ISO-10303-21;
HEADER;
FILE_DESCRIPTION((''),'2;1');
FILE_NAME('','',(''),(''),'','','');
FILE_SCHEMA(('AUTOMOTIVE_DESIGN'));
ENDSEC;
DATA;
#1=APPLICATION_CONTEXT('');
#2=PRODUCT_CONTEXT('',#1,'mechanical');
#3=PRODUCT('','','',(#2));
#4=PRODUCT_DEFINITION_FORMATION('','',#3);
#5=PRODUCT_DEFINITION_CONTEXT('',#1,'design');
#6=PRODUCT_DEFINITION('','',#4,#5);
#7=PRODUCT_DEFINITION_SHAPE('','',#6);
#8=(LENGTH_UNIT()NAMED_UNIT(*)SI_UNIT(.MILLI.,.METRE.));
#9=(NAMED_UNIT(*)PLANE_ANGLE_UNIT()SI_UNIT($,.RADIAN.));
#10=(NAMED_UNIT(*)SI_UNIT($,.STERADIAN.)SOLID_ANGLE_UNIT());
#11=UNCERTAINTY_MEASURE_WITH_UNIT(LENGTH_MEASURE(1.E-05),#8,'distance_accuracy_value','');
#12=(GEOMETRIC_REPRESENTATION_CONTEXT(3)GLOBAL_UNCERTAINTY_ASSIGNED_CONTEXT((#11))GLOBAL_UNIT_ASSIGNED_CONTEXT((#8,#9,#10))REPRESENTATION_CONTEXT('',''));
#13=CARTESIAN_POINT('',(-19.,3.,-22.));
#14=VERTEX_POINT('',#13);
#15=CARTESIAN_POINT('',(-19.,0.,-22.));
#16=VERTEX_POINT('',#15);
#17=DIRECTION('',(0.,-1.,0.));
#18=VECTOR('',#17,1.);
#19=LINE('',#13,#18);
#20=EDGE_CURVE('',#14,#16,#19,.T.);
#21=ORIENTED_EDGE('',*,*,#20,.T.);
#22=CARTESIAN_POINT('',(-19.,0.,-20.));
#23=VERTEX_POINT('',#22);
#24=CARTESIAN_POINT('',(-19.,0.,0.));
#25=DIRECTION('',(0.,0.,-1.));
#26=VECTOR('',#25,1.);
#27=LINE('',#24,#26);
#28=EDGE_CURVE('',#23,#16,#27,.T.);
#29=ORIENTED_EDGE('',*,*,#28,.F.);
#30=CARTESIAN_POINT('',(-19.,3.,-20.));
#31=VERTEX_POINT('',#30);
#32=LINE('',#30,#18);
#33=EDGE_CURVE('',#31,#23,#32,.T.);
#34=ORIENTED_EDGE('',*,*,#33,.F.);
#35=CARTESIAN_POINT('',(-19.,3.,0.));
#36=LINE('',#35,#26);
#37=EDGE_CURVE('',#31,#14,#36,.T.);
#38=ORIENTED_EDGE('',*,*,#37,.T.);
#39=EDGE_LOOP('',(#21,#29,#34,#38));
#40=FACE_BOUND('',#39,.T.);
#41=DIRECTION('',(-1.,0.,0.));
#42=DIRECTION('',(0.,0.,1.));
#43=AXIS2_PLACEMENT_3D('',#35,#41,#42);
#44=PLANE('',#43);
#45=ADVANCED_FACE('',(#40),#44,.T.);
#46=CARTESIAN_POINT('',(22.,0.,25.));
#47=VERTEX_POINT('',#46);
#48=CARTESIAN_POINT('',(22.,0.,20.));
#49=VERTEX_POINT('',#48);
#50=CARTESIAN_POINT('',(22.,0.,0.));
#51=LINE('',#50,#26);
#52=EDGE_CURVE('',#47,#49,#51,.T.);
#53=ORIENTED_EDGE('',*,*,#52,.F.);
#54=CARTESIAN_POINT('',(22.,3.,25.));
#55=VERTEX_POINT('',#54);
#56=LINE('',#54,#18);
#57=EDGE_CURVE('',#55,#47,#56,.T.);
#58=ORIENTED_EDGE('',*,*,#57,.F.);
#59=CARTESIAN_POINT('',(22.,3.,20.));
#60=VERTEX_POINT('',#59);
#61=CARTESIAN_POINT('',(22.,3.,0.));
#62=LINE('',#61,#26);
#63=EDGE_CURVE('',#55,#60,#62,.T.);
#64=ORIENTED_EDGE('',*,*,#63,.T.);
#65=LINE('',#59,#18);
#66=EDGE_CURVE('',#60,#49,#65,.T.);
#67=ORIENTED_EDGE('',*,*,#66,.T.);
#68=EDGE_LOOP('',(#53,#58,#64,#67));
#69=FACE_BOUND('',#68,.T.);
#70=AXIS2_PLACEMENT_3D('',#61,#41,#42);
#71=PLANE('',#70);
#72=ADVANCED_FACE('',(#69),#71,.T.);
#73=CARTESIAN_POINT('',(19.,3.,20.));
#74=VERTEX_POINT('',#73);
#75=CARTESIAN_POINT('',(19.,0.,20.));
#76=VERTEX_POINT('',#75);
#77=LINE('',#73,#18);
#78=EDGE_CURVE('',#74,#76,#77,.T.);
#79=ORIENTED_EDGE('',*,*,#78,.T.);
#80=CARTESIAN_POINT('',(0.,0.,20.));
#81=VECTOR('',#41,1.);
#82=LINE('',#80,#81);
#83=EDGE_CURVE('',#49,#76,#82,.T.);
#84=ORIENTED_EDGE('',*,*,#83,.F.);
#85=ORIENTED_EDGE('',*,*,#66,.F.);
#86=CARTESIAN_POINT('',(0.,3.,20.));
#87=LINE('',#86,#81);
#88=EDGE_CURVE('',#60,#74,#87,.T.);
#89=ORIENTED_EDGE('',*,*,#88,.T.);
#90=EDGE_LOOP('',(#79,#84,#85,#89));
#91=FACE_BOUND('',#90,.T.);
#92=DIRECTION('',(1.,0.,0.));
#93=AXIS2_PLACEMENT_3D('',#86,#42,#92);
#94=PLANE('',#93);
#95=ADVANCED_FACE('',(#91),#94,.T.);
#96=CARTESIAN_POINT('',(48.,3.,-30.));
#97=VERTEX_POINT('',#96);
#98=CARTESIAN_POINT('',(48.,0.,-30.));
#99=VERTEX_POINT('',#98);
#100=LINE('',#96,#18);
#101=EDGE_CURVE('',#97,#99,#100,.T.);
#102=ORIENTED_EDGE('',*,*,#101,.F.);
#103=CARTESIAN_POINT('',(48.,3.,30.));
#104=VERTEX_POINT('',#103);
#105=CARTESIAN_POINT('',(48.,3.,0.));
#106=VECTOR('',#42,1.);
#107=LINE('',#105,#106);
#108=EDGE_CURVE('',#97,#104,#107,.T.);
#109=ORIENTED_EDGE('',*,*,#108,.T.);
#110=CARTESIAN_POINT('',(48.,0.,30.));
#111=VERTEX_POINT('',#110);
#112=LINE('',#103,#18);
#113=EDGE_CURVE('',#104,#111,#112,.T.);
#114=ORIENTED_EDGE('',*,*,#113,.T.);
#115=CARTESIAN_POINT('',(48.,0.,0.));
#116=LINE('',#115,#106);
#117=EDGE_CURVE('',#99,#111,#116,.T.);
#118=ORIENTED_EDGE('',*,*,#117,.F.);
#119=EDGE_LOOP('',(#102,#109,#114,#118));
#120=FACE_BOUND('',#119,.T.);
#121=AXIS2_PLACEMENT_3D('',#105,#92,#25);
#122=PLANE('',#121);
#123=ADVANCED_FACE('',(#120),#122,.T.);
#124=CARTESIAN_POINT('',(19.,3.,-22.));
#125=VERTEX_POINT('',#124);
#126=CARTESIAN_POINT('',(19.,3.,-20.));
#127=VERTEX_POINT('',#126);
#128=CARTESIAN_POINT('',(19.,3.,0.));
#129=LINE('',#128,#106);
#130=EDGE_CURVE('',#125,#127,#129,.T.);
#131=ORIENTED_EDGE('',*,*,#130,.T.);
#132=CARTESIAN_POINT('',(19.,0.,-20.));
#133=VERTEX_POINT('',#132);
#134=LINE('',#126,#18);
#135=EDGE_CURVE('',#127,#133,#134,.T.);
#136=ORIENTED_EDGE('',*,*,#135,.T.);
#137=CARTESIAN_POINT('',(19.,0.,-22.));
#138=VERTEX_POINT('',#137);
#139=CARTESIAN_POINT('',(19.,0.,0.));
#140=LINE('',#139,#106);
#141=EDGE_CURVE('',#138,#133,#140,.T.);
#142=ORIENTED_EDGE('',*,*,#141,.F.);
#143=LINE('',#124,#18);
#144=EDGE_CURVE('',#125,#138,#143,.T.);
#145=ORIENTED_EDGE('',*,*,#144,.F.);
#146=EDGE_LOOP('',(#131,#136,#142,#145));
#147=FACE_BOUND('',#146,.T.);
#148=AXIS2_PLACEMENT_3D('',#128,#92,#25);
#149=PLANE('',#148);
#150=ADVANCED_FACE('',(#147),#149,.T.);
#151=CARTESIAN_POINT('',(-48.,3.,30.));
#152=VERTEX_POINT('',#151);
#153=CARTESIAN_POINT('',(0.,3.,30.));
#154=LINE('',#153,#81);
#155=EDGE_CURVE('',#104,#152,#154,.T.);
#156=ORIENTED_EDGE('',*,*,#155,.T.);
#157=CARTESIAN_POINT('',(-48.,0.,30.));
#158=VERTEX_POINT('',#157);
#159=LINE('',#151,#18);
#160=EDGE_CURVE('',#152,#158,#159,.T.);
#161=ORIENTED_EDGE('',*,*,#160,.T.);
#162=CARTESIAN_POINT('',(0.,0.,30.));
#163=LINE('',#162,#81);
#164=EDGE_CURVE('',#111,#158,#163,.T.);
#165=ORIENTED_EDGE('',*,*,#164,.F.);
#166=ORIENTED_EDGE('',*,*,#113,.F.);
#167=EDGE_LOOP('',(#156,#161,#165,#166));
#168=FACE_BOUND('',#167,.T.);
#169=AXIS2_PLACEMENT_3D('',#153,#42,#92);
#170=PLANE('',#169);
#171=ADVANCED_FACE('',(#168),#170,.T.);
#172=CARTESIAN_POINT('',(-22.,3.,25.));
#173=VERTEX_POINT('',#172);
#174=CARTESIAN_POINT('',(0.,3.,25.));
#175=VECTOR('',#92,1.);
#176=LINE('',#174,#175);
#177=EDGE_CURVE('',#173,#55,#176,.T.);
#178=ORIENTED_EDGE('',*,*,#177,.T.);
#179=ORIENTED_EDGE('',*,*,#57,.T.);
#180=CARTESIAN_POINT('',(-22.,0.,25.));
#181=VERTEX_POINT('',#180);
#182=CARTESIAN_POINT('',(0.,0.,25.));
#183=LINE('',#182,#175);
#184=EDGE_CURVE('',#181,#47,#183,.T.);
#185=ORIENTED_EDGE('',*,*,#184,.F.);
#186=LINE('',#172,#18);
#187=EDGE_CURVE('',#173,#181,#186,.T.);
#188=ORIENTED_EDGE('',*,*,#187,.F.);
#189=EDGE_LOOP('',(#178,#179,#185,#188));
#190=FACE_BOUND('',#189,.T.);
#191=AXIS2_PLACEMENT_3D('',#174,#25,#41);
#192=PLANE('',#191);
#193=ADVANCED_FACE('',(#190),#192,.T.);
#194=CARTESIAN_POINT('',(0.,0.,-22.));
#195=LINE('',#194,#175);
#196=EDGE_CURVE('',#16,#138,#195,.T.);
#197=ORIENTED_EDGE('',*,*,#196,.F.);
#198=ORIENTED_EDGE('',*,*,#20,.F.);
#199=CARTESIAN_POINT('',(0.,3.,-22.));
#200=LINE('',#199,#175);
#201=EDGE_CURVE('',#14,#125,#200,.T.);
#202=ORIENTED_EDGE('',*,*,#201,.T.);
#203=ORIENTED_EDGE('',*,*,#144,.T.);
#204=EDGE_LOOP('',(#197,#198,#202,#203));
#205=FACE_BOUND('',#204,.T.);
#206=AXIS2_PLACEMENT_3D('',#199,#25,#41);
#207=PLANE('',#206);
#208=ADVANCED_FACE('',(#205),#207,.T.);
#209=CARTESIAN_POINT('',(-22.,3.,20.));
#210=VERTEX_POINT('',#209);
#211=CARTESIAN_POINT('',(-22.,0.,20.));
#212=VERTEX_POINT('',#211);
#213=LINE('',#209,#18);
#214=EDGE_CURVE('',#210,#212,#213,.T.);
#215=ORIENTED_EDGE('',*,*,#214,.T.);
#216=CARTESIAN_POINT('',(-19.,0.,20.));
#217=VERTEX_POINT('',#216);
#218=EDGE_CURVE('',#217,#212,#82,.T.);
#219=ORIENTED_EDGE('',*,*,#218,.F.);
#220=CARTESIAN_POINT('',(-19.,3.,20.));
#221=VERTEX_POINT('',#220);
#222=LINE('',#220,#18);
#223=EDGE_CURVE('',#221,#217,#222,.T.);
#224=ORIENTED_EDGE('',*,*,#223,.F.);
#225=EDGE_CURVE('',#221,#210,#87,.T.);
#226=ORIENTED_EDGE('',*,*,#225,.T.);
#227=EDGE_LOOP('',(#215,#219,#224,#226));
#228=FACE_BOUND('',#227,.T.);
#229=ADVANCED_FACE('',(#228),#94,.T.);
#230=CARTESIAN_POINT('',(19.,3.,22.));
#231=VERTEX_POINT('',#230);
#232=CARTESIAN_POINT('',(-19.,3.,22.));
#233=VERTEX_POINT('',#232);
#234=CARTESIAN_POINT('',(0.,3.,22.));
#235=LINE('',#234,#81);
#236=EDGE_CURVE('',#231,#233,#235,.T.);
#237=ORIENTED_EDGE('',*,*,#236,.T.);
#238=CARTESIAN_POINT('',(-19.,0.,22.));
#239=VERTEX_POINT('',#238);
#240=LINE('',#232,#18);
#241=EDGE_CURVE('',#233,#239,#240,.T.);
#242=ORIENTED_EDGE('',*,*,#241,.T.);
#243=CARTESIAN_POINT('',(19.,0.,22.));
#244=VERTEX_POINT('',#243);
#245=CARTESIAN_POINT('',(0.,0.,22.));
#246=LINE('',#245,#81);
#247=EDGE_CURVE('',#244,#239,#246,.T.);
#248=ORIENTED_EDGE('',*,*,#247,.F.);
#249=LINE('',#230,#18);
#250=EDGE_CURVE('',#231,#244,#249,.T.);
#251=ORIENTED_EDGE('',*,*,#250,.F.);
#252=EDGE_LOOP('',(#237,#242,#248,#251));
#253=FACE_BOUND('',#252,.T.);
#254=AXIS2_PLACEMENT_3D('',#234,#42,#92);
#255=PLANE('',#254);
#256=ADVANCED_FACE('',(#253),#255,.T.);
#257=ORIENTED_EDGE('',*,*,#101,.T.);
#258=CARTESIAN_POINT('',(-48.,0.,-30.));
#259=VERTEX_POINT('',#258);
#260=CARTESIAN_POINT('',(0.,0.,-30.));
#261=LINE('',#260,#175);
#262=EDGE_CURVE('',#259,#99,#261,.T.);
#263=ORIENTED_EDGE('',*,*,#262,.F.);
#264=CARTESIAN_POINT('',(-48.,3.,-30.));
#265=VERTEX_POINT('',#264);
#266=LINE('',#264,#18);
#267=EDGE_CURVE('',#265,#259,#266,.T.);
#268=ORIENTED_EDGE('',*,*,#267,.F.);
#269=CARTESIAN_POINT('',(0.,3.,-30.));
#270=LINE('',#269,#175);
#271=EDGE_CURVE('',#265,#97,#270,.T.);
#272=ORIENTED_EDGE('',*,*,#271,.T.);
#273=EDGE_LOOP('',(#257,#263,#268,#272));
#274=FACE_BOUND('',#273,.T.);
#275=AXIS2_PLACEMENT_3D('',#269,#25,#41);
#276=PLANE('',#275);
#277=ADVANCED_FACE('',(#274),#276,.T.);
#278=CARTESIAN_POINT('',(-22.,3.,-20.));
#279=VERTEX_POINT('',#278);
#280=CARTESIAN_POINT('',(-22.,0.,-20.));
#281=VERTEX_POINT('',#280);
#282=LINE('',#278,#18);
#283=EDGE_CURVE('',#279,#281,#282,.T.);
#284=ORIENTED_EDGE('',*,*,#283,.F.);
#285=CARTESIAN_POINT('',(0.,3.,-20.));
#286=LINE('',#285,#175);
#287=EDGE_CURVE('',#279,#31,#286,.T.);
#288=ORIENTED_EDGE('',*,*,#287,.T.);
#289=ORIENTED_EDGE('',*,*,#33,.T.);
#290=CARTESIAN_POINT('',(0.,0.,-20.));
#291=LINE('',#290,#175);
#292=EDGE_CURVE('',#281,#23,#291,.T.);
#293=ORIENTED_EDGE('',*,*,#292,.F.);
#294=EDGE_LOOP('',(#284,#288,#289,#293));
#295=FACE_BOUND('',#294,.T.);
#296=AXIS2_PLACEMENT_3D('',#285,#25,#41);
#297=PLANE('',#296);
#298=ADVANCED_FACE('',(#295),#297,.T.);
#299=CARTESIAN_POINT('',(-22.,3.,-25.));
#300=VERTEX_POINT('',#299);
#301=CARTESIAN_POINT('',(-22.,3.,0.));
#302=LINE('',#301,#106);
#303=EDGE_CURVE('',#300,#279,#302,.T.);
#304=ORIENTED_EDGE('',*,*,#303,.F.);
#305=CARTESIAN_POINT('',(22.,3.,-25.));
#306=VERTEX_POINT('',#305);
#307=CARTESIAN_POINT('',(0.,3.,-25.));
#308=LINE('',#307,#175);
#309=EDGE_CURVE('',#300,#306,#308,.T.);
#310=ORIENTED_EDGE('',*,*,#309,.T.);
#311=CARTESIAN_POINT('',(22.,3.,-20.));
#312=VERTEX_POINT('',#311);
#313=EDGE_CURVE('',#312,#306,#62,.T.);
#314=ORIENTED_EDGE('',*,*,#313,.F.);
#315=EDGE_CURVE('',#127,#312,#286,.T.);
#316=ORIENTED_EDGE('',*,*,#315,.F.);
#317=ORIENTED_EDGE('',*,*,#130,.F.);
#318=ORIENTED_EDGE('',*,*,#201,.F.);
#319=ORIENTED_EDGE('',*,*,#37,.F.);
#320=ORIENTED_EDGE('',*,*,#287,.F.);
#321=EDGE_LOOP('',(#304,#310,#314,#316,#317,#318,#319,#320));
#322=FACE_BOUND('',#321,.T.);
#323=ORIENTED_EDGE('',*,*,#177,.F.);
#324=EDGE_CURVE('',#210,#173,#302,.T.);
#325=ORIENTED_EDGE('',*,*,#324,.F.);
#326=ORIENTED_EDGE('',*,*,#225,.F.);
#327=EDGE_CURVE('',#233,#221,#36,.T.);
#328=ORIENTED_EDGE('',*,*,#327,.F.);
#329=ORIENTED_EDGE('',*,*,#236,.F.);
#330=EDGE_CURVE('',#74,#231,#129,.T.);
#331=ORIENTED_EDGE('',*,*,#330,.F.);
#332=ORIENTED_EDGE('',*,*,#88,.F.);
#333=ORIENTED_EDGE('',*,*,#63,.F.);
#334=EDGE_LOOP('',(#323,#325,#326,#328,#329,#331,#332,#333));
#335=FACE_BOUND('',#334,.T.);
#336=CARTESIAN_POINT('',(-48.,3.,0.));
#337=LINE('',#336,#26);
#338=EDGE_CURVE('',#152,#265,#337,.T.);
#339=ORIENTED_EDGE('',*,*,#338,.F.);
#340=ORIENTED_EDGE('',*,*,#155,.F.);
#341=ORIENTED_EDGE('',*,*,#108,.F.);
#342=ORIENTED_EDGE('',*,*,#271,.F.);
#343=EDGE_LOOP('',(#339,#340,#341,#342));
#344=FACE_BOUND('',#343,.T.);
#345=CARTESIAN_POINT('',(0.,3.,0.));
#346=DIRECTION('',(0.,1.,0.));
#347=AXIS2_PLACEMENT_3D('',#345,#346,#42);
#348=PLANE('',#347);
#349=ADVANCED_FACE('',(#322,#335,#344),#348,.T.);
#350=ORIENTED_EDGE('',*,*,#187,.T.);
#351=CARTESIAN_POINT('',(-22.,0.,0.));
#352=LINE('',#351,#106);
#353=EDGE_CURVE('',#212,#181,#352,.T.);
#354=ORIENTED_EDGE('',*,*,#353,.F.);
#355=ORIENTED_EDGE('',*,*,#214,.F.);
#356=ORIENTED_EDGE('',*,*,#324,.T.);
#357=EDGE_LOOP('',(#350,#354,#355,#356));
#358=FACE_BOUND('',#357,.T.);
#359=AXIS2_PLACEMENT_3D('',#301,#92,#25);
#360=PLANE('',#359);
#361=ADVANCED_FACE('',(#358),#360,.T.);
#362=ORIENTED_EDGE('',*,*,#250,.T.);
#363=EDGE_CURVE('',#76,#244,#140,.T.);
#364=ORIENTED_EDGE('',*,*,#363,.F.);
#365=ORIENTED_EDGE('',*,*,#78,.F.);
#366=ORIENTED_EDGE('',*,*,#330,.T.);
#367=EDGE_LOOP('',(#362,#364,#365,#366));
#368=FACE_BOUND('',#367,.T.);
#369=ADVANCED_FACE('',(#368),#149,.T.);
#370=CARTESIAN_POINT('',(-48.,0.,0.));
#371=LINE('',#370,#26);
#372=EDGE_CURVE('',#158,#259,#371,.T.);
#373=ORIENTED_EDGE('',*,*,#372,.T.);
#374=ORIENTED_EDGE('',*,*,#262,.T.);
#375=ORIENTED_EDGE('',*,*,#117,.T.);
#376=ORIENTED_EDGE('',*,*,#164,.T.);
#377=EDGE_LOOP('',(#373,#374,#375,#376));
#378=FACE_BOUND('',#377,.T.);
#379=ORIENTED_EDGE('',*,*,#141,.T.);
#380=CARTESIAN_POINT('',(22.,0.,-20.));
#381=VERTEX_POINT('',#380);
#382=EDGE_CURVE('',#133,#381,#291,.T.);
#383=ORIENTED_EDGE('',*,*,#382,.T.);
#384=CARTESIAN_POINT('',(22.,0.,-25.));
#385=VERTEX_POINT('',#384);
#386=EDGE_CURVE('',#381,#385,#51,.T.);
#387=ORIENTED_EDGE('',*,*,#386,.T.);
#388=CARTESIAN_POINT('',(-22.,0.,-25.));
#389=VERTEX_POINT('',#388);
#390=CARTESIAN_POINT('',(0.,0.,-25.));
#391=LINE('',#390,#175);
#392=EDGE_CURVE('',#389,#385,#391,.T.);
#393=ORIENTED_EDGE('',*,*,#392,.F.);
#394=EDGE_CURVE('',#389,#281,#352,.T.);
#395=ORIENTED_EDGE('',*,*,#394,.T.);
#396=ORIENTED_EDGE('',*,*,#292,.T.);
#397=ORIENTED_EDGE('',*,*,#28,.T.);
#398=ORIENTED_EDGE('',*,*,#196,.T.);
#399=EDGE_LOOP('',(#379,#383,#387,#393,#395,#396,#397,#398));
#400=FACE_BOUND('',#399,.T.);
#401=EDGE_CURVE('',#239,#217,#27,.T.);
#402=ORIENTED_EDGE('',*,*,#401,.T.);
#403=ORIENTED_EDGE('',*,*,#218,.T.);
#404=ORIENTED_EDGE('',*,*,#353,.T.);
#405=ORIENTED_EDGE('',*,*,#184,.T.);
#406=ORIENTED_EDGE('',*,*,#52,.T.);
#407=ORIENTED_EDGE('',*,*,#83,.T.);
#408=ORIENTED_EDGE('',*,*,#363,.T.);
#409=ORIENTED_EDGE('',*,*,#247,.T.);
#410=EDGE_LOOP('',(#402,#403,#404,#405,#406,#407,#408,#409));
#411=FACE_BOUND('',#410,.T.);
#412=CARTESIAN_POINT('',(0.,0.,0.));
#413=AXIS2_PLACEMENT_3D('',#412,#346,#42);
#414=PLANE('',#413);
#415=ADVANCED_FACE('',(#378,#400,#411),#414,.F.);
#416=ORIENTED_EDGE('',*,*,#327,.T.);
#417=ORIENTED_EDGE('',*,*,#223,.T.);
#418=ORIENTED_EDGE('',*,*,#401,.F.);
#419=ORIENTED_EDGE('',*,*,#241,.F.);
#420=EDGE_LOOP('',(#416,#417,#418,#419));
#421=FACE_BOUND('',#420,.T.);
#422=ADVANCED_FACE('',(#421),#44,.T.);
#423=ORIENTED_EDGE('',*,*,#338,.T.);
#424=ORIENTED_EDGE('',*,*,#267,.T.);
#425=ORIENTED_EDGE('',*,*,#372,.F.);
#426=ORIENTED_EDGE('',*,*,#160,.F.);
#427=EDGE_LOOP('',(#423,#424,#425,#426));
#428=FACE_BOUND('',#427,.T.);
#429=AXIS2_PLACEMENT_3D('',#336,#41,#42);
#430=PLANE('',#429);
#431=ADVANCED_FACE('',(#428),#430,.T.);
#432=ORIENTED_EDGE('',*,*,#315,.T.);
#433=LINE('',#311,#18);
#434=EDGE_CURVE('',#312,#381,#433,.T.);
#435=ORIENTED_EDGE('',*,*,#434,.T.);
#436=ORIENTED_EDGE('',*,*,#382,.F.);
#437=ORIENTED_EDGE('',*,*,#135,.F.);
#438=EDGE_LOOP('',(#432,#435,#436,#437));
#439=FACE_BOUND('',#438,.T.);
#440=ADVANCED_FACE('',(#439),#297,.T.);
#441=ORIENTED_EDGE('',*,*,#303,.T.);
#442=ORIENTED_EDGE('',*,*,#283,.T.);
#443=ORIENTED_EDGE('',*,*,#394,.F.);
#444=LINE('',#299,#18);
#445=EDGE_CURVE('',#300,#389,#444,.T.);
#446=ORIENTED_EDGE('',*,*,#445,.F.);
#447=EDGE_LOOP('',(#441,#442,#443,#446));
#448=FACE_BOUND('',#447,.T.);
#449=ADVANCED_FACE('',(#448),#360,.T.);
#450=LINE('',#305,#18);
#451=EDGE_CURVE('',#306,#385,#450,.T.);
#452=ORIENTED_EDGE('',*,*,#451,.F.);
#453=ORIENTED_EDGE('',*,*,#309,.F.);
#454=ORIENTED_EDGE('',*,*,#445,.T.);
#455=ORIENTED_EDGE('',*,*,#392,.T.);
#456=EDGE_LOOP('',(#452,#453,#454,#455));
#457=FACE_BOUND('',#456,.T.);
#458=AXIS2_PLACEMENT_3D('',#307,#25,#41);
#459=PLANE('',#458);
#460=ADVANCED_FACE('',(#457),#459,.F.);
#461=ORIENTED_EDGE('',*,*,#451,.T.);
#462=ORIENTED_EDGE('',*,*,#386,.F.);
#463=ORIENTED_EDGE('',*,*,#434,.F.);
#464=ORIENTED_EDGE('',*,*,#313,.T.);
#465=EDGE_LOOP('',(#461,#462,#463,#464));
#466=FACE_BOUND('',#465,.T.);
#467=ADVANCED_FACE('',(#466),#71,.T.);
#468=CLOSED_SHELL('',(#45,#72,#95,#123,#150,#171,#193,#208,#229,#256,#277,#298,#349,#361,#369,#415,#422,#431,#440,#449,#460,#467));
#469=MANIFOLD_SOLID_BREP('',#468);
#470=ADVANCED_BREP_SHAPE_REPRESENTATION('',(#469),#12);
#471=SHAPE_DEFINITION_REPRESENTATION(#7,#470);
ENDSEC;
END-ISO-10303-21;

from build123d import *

# Parameters (mm, degrees)
SKETCH1_W           = 44
SKETCH1_H           = 5
BOSS_EXTRUDE1_DEPTH = 3


with BuildPart() as part:
    # Sketch1 → Boss-Extrude1 (new body)
    with BuildSketch(Plane(origin=(0, 0, 0), x_dir=(1, 0, 0), z_dir=(0, 1, 0))):
        with Locations((0, 27.5)):
            Rectangle(SKETCH1_W, SKETCH1_H)
        with Locations((0, -27.5)):
            Rectangle(SKETCH1_W, SKETCH1_H)
        Polygon((-22, -30), (-48, -30), (-48, 30), (-22, 30), (-22, 20), (-19, 20), (-19, 22), (19, 22), (19, 20), (22, 20), (22, 30), (48, 30), (48, -30), (22, -30), (22, -20), (19, -20), (19, -22), (-19, -22), (-19, -20), (-22, -20), align=None)
    extrude(amount=BOSS_EXTRUDE1_DEPTH)


solid = part.part
